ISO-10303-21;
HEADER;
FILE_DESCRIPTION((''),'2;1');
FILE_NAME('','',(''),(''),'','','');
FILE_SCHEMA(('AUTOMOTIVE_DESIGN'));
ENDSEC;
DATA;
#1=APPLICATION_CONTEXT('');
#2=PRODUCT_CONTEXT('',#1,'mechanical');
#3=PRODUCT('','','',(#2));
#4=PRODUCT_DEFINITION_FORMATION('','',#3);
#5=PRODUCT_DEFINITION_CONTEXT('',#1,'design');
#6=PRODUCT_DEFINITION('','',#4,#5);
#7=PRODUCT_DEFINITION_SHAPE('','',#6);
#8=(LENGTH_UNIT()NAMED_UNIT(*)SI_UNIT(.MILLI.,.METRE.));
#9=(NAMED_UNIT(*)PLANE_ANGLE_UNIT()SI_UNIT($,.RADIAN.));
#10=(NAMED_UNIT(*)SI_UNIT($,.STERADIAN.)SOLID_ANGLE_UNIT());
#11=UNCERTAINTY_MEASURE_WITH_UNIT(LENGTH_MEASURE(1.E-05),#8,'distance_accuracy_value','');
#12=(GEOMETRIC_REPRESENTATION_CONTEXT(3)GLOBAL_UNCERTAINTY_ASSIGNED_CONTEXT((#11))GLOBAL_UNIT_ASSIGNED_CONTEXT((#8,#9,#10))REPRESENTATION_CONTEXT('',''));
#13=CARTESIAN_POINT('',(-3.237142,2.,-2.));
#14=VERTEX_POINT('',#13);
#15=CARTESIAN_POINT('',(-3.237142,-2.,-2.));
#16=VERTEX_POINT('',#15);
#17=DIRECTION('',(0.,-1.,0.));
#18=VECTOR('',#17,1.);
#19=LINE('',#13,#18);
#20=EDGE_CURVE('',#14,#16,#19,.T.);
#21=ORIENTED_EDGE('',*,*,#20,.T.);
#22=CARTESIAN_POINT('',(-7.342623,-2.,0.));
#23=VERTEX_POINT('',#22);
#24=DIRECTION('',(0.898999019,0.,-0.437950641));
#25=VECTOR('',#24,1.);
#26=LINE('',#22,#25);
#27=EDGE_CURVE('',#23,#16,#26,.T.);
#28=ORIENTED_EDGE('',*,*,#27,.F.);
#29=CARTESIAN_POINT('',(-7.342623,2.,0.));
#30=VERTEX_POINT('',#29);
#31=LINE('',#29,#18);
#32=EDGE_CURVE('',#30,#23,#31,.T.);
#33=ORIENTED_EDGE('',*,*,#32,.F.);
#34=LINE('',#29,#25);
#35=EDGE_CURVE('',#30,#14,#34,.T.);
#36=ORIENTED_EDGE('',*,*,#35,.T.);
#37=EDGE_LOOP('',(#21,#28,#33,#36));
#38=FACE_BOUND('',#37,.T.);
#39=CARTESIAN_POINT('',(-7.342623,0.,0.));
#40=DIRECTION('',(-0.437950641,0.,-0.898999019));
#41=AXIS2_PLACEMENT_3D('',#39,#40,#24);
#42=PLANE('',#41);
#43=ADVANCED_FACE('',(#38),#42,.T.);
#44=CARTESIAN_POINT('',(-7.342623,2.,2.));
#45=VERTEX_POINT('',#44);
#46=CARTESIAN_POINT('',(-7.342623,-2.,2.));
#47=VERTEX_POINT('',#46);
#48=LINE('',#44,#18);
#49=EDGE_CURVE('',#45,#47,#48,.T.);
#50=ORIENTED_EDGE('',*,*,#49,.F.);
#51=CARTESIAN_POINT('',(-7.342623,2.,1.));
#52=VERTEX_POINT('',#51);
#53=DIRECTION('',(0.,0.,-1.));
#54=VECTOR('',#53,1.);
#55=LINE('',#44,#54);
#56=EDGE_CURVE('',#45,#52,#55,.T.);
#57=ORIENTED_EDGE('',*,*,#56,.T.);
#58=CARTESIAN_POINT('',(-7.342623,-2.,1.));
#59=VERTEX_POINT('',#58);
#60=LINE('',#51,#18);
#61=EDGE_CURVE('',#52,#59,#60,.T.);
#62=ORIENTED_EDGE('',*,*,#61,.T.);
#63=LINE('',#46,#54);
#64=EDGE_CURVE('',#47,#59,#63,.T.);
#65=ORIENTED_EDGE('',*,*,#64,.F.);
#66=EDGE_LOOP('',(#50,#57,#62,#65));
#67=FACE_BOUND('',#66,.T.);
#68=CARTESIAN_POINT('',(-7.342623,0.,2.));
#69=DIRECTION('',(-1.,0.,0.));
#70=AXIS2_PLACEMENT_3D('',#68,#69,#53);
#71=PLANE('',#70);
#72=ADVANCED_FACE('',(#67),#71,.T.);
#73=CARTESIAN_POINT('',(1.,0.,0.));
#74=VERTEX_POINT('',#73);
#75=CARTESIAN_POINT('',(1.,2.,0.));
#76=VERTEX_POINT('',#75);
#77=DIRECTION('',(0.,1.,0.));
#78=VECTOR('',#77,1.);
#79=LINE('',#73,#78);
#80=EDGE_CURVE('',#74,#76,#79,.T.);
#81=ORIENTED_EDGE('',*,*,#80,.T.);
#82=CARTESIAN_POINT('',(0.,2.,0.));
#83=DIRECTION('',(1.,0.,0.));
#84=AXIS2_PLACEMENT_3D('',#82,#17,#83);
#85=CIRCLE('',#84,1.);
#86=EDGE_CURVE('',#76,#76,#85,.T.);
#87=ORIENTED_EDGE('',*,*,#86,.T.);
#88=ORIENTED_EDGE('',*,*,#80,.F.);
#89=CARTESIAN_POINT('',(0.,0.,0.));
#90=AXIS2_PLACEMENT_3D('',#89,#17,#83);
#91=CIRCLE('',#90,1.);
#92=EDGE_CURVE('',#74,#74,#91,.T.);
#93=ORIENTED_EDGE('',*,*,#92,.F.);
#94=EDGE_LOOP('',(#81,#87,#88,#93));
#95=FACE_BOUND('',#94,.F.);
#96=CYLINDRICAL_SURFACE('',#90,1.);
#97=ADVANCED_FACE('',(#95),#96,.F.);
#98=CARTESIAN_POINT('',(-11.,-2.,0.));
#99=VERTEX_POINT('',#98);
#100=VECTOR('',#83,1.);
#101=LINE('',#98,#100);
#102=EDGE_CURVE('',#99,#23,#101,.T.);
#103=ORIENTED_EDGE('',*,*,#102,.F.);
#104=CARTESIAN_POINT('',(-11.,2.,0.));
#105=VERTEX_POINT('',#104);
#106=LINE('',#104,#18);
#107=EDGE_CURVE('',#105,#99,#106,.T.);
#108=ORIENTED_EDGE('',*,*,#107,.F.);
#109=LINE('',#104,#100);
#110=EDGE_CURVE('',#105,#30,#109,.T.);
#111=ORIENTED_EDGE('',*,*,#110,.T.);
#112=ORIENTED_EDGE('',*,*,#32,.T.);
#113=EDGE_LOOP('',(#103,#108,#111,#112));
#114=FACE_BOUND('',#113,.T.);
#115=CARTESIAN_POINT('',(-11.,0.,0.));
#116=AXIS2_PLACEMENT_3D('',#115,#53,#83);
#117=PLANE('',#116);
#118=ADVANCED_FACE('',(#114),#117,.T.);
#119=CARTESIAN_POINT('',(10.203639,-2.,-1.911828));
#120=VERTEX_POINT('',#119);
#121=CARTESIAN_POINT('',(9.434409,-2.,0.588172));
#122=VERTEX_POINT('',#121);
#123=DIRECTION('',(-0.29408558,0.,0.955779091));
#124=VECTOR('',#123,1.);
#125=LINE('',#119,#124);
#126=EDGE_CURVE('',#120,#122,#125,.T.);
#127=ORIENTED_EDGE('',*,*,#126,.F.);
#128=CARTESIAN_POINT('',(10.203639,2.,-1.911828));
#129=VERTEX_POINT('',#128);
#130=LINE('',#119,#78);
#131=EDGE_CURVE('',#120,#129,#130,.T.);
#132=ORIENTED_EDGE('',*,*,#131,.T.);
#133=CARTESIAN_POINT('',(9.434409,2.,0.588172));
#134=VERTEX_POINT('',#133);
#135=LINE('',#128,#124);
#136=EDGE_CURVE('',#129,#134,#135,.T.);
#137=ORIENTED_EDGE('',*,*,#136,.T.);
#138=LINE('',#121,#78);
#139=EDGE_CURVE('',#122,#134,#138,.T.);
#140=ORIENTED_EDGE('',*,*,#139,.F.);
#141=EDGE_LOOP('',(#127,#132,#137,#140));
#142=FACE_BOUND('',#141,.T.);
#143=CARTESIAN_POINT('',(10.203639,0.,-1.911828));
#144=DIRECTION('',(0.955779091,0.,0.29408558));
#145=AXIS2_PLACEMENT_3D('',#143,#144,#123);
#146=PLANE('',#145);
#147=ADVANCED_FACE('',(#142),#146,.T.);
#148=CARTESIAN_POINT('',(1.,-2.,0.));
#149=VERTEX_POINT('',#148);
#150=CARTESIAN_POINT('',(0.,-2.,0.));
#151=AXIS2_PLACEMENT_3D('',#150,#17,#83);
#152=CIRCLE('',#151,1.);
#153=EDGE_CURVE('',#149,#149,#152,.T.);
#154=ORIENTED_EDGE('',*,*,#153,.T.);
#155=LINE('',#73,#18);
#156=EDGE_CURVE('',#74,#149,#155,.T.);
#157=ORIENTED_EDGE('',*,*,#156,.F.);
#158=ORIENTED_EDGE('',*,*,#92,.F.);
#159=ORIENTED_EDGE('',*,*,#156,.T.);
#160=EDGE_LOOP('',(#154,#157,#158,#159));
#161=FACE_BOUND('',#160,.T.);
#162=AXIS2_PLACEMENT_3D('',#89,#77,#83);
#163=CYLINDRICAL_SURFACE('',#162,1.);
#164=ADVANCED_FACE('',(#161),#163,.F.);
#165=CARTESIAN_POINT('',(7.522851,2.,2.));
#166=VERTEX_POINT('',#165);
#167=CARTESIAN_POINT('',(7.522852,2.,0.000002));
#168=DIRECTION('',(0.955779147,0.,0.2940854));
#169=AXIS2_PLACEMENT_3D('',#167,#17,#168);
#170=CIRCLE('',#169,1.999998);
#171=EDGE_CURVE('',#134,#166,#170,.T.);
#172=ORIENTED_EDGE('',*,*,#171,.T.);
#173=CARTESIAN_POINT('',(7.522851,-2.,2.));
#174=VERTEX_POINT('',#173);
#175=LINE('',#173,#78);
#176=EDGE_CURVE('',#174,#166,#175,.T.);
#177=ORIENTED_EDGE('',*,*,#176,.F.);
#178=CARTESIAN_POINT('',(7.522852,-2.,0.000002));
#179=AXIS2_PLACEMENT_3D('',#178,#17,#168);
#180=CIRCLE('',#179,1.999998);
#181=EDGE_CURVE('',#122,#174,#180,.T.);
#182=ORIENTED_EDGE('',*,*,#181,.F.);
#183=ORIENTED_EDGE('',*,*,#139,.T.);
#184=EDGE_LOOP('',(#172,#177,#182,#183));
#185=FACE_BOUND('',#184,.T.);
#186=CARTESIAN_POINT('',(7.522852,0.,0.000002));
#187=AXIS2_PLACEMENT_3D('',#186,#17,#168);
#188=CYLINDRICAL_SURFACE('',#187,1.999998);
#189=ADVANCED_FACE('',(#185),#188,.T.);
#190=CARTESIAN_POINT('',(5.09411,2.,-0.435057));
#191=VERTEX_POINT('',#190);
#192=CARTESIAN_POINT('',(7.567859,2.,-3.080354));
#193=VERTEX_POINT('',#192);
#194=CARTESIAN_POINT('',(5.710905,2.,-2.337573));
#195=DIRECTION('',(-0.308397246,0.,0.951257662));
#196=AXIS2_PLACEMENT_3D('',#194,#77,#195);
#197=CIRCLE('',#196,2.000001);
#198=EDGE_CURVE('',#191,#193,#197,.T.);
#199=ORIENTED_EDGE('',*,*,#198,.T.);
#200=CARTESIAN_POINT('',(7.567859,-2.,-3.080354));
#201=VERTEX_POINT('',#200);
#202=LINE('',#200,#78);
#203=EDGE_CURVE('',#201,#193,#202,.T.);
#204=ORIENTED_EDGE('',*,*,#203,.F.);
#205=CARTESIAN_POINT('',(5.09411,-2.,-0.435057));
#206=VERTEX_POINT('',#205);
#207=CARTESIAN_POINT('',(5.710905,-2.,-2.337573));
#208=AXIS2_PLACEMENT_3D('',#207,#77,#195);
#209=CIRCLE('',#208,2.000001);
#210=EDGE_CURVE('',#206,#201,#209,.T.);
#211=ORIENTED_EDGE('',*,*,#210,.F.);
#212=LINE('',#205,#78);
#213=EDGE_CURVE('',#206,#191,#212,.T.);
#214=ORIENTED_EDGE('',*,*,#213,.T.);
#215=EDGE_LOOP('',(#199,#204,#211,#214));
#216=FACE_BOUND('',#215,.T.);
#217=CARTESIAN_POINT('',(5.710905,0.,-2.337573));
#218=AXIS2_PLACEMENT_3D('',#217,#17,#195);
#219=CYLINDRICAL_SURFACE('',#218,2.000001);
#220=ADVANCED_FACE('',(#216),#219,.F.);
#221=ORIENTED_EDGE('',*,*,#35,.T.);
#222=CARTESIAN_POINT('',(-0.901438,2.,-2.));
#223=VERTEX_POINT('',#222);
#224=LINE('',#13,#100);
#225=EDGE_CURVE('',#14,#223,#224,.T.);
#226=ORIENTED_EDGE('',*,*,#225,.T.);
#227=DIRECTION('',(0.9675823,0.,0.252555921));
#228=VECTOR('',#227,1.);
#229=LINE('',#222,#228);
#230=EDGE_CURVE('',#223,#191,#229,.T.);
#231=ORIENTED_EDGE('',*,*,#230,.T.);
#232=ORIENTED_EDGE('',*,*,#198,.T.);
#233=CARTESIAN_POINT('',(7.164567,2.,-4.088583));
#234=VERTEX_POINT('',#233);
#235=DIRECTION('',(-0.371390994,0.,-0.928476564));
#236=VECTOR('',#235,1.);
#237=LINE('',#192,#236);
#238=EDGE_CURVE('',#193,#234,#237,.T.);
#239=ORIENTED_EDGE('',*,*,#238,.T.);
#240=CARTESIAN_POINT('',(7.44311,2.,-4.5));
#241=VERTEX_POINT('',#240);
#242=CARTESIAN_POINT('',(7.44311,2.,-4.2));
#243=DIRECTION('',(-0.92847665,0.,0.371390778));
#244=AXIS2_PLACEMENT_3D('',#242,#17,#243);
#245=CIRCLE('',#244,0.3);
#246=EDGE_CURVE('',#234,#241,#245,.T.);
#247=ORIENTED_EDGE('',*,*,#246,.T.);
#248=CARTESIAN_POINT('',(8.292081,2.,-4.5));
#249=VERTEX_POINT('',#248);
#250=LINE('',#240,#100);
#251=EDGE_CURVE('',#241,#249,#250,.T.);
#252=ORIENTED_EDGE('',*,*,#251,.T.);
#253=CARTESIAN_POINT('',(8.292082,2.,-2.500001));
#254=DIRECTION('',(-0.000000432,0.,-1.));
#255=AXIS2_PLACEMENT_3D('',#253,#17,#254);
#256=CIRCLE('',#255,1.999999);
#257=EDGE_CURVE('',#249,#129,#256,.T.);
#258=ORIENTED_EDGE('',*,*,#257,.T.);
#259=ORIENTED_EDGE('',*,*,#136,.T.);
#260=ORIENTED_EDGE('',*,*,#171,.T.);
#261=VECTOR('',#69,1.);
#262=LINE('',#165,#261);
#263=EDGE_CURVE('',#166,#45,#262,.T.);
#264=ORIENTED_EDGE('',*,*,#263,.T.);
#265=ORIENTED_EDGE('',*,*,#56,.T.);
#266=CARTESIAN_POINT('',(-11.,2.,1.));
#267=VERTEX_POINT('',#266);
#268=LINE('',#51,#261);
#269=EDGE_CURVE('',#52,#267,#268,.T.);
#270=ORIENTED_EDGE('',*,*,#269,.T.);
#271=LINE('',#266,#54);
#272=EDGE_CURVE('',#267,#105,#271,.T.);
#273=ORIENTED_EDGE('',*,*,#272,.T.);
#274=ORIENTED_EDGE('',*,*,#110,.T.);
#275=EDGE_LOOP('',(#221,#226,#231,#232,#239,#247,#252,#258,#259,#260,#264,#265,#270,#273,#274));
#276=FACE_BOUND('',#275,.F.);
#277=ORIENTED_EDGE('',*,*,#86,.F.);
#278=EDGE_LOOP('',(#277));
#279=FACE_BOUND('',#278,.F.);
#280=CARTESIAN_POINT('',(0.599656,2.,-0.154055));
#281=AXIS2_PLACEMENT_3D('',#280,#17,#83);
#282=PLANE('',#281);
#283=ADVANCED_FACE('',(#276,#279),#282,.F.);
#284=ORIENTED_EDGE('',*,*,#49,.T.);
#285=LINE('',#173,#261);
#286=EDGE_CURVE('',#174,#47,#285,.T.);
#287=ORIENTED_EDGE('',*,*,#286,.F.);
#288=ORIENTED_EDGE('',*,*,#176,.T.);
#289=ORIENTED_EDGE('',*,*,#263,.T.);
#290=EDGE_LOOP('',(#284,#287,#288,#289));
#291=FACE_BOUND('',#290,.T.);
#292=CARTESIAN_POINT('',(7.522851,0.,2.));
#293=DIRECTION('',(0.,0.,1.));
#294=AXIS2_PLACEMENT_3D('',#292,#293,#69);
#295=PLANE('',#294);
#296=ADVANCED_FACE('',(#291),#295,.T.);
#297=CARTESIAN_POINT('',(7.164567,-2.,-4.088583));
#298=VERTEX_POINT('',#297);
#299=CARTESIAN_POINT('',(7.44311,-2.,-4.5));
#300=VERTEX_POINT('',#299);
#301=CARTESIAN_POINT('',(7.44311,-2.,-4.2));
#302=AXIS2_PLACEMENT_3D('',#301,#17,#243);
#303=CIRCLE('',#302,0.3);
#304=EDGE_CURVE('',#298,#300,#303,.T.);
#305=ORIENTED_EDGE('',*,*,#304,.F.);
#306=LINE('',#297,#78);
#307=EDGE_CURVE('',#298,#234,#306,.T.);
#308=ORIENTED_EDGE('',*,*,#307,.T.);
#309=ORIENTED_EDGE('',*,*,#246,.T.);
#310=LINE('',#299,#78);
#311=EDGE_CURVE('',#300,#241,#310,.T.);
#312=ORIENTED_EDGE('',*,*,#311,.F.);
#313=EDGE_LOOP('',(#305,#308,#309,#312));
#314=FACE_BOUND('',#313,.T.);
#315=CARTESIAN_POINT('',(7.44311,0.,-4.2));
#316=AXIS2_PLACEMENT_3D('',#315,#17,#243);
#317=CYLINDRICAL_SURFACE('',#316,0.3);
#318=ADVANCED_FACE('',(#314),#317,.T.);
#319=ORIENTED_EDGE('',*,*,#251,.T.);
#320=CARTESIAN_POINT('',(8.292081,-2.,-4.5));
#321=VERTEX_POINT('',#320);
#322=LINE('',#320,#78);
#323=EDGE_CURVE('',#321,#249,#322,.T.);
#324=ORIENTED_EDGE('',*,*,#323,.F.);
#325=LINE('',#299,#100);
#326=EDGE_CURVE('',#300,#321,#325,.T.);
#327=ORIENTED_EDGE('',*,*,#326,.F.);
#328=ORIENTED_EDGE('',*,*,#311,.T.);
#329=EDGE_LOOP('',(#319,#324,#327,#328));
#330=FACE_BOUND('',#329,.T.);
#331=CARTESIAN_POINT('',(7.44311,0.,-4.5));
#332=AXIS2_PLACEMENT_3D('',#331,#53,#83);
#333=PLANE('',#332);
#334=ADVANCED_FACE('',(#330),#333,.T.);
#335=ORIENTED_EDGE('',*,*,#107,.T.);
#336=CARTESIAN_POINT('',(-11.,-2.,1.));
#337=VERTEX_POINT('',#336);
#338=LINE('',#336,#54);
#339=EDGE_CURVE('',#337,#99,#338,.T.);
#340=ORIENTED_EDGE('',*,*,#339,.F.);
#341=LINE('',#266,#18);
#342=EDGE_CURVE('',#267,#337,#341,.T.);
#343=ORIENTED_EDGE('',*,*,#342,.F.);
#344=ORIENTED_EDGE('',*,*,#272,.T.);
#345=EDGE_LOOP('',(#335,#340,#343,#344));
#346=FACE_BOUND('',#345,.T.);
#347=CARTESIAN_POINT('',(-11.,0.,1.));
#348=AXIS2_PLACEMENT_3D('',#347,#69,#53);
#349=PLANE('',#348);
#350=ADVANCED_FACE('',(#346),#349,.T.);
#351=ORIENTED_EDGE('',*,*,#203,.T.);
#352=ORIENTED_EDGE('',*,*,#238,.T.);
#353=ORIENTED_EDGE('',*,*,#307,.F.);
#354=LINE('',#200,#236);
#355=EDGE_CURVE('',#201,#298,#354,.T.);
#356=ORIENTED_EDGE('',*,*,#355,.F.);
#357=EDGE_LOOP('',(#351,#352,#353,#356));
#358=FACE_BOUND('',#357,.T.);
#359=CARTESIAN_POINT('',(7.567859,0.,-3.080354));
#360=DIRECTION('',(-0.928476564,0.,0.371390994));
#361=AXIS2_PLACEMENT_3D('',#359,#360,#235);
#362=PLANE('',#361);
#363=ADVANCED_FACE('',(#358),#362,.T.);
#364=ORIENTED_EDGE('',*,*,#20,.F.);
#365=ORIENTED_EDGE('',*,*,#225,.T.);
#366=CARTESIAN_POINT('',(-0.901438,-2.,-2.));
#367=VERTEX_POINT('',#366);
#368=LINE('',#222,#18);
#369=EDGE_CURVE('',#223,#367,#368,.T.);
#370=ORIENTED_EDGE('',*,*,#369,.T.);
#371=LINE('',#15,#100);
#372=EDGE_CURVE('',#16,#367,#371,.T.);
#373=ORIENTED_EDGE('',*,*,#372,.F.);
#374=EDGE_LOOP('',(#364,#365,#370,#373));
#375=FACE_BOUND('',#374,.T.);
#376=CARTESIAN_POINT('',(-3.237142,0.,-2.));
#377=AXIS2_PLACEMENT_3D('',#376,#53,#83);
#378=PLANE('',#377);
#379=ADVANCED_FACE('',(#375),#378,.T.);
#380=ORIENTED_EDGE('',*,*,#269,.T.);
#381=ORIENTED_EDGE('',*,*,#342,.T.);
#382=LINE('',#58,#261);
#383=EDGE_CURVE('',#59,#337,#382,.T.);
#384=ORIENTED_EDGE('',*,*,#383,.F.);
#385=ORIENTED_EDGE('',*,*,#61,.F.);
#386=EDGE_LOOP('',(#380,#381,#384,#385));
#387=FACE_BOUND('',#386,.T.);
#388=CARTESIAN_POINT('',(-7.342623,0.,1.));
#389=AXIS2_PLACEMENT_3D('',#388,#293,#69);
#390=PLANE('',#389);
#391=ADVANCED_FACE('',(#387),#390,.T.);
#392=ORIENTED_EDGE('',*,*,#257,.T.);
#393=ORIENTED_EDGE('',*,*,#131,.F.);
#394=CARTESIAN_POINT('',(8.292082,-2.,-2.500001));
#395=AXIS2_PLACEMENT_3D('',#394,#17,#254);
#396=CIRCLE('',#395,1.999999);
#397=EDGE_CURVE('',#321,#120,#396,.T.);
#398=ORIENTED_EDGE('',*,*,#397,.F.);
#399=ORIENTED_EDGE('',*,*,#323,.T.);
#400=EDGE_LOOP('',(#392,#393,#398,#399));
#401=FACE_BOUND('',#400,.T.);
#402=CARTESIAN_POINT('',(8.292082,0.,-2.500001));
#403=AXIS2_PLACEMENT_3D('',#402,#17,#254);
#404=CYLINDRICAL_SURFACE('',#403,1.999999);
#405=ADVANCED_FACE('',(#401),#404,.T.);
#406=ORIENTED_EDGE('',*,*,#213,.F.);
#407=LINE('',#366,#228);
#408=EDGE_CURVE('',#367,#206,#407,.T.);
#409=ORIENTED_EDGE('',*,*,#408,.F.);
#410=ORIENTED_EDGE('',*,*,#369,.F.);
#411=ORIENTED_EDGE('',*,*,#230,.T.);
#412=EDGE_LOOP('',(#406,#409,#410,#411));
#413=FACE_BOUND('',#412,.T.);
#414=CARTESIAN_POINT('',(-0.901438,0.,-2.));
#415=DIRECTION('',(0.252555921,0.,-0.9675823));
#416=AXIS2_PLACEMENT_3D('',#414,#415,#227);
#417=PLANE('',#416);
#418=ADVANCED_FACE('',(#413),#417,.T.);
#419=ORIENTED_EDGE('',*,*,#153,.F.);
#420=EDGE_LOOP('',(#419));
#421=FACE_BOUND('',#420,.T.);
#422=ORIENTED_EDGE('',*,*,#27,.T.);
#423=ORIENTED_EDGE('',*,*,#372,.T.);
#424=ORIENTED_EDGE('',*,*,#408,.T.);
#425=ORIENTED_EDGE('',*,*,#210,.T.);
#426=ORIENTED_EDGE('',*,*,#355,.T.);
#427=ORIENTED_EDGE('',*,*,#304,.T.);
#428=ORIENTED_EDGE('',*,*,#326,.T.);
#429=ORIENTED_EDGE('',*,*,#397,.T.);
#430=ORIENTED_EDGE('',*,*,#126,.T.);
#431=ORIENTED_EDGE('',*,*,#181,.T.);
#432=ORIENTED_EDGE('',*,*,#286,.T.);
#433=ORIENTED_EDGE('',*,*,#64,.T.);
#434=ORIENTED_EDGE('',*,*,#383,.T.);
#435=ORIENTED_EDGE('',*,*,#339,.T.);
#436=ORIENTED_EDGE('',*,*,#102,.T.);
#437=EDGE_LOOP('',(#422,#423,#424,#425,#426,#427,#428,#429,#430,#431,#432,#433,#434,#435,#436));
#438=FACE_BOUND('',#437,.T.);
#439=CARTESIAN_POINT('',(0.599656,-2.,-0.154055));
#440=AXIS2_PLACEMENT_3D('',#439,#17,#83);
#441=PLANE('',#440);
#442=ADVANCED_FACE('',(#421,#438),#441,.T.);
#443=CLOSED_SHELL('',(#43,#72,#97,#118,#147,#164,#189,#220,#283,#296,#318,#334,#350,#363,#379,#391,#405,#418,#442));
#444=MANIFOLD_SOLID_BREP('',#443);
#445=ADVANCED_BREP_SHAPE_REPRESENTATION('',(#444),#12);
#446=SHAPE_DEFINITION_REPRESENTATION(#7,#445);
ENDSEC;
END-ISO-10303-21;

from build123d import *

# Parameters (mm, degrees)
F0_R          = 1
F1_DEPTH      = 2
F1_DEPTH_BACK = 2


with BuildPart() as f1:
    # F0 (on Front) → F1 (new body, two sides)
    with BuildSketch(Plane.XZ) as f1_sk:
        with BuildLine():
            Line((7.522851, 2), (-7.342623, 2))
            Line((-7.342623, 2), (-7.342623, 1))
            Line((-7.342623, 1), (-11, 1))
            Line((-11, 1), (-11, 0))
            Line((-11, 0), (-7.342623, 0))
            Line((-7.342623, 0), (-3.237142, -2))
            Line((-3.237142, -2), (-0.901438, -2))
            Line((-0.901438, -2), (5.09411, -0.435057))
            ThreePointArc((5.09411, -0.435057), (7.171691, -0.971518), (7.567859, -3.080354))
            Line((7.567859, -3.080354), (7.164567, -4.088583))
            ThreePointArc((7.164567, -4.088583), (7.19469, -4.368189), (7.44311, -4.5))
            Line((7.44311, -4.5), (8.292081, -4.5))
            ThreePointArc((8.292081, -4.5), (9.900861, -3.688204), (10.203639, -1.911828))
            Line((10.203639, -1.911828), (9.434409, 0.588172))
            ThreePointArc((9.434409, 0.588172), (8.711055, 1.60878), (7.522851, 2))
        make_face()
        Circle(F0_R, mode=Mode.SUBTRACT)
    extrude(amount=F1_DEPTH)
    extrude(f1_sk.sketch, amount=-F1_DEPTH_BACK)


solid = f1.part
